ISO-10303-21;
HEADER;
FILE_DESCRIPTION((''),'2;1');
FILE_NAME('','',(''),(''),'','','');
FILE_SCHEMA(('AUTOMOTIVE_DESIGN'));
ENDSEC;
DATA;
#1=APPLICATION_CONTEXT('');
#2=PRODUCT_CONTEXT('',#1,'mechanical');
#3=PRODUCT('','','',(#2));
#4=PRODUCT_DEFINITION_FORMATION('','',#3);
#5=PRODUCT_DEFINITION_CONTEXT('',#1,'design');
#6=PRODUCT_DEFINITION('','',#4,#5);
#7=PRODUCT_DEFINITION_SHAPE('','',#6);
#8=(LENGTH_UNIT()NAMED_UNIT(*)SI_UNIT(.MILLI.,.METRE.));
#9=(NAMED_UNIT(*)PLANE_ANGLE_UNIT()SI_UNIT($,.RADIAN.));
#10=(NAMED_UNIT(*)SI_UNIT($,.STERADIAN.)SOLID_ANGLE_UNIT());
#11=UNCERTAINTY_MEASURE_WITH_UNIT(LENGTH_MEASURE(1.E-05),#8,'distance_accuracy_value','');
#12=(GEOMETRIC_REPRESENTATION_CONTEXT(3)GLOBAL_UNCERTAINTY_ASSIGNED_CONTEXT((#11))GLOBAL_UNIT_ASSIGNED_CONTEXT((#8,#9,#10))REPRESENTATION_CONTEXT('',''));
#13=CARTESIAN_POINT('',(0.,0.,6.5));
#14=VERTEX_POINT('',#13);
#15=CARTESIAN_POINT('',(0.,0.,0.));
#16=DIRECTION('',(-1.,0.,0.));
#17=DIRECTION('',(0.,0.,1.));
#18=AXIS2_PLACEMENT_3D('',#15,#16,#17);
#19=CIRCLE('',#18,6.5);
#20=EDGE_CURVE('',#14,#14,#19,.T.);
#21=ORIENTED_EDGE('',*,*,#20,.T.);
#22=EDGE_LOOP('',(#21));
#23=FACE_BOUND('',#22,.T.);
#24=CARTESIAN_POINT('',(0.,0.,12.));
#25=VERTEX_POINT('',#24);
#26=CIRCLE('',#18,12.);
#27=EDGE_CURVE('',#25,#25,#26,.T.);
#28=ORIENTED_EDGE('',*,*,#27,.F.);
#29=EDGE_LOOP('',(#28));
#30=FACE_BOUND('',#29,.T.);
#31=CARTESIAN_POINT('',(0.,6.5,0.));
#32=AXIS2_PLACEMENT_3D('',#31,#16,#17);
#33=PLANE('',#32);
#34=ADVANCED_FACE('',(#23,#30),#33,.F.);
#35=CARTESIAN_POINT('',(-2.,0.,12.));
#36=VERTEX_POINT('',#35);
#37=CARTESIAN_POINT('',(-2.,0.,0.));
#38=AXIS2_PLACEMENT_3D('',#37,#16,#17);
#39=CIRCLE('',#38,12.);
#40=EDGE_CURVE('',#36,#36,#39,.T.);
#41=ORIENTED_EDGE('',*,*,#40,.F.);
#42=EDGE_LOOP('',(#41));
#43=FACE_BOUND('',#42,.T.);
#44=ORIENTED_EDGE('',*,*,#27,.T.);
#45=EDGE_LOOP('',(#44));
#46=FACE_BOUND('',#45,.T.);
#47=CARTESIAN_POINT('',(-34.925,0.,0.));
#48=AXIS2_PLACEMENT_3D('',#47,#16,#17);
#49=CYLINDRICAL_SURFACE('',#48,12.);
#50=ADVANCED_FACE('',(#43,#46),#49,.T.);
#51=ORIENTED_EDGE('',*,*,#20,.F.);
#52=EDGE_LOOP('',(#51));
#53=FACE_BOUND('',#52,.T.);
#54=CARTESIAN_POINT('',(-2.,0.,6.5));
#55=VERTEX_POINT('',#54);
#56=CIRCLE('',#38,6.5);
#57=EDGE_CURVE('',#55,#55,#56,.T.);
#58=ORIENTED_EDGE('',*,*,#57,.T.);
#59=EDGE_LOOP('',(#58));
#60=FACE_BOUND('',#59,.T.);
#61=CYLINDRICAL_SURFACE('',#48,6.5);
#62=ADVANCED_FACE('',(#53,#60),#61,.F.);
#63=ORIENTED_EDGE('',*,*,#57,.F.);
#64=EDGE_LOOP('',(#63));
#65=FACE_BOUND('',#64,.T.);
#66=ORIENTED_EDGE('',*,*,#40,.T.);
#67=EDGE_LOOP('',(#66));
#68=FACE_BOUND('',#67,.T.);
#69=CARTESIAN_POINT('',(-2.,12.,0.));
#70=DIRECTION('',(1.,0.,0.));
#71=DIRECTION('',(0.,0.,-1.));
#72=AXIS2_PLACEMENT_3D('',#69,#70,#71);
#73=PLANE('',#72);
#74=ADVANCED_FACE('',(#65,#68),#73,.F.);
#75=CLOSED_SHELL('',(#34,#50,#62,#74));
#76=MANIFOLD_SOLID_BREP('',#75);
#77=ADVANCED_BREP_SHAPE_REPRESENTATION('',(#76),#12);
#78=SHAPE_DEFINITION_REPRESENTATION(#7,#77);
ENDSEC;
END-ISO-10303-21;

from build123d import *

# Parameters (mm, degrees)
SKETCH1_W = 2
SKETCH1_H = 5.5


with BuildPart() as part:
    # Sketch1 → Base-Revolve (revolve)
    with BuildSketch(Plane.XY, mode=Mode.PRIVATE) as base_revolve_sk:
        with Locations((-1, 9.25)):
            Rectangle(SKETCH1_W, SKETCH1_H)
    revolve(base_revolve_sk.sketch.rotate(Axis((-34.925, 0, 0), (1, 0, 0)), 90), axis=Axis((-34.925, 0, 0), (1, 0, 0)))


solid = part.part
